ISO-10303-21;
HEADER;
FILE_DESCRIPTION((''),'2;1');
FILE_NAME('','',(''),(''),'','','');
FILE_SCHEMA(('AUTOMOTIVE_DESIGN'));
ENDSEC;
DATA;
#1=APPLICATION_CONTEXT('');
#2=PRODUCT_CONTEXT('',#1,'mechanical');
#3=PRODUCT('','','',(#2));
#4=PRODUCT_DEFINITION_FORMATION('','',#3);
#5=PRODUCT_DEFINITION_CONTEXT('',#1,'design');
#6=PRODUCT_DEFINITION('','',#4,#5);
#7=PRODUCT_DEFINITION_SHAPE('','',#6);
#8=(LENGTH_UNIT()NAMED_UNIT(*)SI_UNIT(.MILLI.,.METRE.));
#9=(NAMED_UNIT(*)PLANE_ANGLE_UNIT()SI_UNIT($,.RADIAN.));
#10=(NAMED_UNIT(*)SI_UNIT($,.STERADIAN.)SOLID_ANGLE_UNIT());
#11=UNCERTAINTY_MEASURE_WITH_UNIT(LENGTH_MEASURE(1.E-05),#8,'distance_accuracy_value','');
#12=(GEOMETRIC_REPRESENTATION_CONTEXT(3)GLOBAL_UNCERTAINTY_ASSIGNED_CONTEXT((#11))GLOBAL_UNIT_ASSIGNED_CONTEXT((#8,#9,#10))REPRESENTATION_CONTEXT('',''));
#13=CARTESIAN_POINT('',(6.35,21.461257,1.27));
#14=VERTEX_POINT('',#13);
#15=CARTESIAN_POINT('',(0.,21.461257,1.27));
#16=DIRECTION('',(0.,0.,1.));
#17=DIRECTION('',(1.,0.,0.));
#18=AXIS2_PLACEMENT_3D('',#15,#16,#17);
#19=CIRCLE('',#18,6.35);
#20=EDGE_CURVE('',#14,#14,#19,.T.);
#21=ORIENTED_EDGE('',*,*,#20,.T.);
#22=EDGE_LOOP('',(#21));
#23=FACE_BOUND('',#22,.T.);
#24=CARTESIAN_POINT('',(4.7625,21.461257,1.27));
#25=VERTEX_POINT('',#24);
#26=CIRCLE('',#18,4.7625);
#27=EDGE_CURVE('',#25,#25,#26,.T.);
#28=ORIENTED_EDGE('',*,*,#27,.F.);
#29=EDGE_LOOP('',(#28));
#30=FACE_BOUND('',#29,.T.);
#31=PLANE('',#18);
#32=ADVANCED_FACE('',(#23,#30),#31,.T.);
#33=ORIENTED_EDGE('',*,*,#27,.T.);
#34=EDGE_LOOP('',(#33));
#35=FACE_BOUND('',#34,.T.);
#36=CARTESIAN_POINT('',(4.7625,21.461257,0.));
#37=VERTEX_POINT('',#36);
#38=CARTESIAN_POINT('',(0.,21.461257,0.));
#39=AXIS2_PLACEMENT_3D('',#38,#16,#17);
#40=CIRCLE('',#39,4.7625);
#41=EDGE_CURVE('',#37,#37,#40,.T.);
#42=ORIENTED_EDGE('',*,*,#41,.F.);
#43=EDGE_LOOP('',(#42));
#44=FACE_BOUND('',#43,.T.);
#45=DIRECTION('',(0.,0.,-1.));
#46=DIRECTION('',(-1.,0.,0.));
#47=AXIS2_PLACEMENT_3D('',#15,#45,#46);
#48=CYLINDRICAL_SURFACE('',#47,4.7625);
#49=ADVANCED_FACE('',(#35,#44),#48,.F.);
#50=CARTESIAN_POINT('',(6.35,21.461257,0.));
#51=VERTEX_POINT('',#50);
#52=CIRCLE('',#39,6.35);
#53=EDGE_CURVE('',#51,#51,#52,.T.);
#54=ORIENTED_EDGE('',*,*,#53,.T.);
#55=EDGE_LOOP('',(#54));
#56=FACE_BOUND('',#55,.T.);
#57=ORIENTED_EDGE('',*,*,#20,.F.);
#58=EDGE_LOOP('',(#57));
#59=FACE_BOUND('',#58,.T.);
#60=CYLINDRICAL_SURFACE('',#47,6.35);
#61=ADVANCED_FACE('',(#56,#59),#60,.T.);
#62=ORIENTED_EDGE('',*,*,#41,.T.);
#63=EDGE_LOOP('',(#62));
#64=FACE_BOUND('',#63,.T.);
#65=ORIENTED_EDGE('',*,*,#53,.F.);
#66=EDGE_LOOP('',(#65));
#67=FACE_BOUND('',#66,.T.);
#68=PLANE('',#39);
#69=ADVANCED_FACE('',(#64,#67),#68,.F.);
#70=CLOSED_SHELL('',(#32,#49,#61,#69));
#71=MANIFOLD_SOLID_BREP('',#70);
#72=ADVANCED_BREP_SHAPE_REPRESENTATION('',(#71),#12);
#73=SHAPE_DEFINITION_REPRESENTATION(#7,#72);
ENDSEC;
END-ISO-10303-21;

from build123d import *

# Parameters (mm, degrees)
SKETCH1_R          = 6.35
SKETCH1_R_2        = 4.7625
BASE_EXTRUDE_DEPTH = 1.27


with BuildPart() as part:
    # Sketch1 → Base-Extrude (new body)
    with BuildSketch(Plane.XY):
        with Locations((0, 21.461256505)):
            Circle(SKETCH1_R)
        with Locations((0, 21.461256505)):
            Circle(SKETCH1_R_2, mode=Mode.SUBTRACT)
    extrude(amount=BASE_EXTRUDE_DEPTH)


solid = part.part
